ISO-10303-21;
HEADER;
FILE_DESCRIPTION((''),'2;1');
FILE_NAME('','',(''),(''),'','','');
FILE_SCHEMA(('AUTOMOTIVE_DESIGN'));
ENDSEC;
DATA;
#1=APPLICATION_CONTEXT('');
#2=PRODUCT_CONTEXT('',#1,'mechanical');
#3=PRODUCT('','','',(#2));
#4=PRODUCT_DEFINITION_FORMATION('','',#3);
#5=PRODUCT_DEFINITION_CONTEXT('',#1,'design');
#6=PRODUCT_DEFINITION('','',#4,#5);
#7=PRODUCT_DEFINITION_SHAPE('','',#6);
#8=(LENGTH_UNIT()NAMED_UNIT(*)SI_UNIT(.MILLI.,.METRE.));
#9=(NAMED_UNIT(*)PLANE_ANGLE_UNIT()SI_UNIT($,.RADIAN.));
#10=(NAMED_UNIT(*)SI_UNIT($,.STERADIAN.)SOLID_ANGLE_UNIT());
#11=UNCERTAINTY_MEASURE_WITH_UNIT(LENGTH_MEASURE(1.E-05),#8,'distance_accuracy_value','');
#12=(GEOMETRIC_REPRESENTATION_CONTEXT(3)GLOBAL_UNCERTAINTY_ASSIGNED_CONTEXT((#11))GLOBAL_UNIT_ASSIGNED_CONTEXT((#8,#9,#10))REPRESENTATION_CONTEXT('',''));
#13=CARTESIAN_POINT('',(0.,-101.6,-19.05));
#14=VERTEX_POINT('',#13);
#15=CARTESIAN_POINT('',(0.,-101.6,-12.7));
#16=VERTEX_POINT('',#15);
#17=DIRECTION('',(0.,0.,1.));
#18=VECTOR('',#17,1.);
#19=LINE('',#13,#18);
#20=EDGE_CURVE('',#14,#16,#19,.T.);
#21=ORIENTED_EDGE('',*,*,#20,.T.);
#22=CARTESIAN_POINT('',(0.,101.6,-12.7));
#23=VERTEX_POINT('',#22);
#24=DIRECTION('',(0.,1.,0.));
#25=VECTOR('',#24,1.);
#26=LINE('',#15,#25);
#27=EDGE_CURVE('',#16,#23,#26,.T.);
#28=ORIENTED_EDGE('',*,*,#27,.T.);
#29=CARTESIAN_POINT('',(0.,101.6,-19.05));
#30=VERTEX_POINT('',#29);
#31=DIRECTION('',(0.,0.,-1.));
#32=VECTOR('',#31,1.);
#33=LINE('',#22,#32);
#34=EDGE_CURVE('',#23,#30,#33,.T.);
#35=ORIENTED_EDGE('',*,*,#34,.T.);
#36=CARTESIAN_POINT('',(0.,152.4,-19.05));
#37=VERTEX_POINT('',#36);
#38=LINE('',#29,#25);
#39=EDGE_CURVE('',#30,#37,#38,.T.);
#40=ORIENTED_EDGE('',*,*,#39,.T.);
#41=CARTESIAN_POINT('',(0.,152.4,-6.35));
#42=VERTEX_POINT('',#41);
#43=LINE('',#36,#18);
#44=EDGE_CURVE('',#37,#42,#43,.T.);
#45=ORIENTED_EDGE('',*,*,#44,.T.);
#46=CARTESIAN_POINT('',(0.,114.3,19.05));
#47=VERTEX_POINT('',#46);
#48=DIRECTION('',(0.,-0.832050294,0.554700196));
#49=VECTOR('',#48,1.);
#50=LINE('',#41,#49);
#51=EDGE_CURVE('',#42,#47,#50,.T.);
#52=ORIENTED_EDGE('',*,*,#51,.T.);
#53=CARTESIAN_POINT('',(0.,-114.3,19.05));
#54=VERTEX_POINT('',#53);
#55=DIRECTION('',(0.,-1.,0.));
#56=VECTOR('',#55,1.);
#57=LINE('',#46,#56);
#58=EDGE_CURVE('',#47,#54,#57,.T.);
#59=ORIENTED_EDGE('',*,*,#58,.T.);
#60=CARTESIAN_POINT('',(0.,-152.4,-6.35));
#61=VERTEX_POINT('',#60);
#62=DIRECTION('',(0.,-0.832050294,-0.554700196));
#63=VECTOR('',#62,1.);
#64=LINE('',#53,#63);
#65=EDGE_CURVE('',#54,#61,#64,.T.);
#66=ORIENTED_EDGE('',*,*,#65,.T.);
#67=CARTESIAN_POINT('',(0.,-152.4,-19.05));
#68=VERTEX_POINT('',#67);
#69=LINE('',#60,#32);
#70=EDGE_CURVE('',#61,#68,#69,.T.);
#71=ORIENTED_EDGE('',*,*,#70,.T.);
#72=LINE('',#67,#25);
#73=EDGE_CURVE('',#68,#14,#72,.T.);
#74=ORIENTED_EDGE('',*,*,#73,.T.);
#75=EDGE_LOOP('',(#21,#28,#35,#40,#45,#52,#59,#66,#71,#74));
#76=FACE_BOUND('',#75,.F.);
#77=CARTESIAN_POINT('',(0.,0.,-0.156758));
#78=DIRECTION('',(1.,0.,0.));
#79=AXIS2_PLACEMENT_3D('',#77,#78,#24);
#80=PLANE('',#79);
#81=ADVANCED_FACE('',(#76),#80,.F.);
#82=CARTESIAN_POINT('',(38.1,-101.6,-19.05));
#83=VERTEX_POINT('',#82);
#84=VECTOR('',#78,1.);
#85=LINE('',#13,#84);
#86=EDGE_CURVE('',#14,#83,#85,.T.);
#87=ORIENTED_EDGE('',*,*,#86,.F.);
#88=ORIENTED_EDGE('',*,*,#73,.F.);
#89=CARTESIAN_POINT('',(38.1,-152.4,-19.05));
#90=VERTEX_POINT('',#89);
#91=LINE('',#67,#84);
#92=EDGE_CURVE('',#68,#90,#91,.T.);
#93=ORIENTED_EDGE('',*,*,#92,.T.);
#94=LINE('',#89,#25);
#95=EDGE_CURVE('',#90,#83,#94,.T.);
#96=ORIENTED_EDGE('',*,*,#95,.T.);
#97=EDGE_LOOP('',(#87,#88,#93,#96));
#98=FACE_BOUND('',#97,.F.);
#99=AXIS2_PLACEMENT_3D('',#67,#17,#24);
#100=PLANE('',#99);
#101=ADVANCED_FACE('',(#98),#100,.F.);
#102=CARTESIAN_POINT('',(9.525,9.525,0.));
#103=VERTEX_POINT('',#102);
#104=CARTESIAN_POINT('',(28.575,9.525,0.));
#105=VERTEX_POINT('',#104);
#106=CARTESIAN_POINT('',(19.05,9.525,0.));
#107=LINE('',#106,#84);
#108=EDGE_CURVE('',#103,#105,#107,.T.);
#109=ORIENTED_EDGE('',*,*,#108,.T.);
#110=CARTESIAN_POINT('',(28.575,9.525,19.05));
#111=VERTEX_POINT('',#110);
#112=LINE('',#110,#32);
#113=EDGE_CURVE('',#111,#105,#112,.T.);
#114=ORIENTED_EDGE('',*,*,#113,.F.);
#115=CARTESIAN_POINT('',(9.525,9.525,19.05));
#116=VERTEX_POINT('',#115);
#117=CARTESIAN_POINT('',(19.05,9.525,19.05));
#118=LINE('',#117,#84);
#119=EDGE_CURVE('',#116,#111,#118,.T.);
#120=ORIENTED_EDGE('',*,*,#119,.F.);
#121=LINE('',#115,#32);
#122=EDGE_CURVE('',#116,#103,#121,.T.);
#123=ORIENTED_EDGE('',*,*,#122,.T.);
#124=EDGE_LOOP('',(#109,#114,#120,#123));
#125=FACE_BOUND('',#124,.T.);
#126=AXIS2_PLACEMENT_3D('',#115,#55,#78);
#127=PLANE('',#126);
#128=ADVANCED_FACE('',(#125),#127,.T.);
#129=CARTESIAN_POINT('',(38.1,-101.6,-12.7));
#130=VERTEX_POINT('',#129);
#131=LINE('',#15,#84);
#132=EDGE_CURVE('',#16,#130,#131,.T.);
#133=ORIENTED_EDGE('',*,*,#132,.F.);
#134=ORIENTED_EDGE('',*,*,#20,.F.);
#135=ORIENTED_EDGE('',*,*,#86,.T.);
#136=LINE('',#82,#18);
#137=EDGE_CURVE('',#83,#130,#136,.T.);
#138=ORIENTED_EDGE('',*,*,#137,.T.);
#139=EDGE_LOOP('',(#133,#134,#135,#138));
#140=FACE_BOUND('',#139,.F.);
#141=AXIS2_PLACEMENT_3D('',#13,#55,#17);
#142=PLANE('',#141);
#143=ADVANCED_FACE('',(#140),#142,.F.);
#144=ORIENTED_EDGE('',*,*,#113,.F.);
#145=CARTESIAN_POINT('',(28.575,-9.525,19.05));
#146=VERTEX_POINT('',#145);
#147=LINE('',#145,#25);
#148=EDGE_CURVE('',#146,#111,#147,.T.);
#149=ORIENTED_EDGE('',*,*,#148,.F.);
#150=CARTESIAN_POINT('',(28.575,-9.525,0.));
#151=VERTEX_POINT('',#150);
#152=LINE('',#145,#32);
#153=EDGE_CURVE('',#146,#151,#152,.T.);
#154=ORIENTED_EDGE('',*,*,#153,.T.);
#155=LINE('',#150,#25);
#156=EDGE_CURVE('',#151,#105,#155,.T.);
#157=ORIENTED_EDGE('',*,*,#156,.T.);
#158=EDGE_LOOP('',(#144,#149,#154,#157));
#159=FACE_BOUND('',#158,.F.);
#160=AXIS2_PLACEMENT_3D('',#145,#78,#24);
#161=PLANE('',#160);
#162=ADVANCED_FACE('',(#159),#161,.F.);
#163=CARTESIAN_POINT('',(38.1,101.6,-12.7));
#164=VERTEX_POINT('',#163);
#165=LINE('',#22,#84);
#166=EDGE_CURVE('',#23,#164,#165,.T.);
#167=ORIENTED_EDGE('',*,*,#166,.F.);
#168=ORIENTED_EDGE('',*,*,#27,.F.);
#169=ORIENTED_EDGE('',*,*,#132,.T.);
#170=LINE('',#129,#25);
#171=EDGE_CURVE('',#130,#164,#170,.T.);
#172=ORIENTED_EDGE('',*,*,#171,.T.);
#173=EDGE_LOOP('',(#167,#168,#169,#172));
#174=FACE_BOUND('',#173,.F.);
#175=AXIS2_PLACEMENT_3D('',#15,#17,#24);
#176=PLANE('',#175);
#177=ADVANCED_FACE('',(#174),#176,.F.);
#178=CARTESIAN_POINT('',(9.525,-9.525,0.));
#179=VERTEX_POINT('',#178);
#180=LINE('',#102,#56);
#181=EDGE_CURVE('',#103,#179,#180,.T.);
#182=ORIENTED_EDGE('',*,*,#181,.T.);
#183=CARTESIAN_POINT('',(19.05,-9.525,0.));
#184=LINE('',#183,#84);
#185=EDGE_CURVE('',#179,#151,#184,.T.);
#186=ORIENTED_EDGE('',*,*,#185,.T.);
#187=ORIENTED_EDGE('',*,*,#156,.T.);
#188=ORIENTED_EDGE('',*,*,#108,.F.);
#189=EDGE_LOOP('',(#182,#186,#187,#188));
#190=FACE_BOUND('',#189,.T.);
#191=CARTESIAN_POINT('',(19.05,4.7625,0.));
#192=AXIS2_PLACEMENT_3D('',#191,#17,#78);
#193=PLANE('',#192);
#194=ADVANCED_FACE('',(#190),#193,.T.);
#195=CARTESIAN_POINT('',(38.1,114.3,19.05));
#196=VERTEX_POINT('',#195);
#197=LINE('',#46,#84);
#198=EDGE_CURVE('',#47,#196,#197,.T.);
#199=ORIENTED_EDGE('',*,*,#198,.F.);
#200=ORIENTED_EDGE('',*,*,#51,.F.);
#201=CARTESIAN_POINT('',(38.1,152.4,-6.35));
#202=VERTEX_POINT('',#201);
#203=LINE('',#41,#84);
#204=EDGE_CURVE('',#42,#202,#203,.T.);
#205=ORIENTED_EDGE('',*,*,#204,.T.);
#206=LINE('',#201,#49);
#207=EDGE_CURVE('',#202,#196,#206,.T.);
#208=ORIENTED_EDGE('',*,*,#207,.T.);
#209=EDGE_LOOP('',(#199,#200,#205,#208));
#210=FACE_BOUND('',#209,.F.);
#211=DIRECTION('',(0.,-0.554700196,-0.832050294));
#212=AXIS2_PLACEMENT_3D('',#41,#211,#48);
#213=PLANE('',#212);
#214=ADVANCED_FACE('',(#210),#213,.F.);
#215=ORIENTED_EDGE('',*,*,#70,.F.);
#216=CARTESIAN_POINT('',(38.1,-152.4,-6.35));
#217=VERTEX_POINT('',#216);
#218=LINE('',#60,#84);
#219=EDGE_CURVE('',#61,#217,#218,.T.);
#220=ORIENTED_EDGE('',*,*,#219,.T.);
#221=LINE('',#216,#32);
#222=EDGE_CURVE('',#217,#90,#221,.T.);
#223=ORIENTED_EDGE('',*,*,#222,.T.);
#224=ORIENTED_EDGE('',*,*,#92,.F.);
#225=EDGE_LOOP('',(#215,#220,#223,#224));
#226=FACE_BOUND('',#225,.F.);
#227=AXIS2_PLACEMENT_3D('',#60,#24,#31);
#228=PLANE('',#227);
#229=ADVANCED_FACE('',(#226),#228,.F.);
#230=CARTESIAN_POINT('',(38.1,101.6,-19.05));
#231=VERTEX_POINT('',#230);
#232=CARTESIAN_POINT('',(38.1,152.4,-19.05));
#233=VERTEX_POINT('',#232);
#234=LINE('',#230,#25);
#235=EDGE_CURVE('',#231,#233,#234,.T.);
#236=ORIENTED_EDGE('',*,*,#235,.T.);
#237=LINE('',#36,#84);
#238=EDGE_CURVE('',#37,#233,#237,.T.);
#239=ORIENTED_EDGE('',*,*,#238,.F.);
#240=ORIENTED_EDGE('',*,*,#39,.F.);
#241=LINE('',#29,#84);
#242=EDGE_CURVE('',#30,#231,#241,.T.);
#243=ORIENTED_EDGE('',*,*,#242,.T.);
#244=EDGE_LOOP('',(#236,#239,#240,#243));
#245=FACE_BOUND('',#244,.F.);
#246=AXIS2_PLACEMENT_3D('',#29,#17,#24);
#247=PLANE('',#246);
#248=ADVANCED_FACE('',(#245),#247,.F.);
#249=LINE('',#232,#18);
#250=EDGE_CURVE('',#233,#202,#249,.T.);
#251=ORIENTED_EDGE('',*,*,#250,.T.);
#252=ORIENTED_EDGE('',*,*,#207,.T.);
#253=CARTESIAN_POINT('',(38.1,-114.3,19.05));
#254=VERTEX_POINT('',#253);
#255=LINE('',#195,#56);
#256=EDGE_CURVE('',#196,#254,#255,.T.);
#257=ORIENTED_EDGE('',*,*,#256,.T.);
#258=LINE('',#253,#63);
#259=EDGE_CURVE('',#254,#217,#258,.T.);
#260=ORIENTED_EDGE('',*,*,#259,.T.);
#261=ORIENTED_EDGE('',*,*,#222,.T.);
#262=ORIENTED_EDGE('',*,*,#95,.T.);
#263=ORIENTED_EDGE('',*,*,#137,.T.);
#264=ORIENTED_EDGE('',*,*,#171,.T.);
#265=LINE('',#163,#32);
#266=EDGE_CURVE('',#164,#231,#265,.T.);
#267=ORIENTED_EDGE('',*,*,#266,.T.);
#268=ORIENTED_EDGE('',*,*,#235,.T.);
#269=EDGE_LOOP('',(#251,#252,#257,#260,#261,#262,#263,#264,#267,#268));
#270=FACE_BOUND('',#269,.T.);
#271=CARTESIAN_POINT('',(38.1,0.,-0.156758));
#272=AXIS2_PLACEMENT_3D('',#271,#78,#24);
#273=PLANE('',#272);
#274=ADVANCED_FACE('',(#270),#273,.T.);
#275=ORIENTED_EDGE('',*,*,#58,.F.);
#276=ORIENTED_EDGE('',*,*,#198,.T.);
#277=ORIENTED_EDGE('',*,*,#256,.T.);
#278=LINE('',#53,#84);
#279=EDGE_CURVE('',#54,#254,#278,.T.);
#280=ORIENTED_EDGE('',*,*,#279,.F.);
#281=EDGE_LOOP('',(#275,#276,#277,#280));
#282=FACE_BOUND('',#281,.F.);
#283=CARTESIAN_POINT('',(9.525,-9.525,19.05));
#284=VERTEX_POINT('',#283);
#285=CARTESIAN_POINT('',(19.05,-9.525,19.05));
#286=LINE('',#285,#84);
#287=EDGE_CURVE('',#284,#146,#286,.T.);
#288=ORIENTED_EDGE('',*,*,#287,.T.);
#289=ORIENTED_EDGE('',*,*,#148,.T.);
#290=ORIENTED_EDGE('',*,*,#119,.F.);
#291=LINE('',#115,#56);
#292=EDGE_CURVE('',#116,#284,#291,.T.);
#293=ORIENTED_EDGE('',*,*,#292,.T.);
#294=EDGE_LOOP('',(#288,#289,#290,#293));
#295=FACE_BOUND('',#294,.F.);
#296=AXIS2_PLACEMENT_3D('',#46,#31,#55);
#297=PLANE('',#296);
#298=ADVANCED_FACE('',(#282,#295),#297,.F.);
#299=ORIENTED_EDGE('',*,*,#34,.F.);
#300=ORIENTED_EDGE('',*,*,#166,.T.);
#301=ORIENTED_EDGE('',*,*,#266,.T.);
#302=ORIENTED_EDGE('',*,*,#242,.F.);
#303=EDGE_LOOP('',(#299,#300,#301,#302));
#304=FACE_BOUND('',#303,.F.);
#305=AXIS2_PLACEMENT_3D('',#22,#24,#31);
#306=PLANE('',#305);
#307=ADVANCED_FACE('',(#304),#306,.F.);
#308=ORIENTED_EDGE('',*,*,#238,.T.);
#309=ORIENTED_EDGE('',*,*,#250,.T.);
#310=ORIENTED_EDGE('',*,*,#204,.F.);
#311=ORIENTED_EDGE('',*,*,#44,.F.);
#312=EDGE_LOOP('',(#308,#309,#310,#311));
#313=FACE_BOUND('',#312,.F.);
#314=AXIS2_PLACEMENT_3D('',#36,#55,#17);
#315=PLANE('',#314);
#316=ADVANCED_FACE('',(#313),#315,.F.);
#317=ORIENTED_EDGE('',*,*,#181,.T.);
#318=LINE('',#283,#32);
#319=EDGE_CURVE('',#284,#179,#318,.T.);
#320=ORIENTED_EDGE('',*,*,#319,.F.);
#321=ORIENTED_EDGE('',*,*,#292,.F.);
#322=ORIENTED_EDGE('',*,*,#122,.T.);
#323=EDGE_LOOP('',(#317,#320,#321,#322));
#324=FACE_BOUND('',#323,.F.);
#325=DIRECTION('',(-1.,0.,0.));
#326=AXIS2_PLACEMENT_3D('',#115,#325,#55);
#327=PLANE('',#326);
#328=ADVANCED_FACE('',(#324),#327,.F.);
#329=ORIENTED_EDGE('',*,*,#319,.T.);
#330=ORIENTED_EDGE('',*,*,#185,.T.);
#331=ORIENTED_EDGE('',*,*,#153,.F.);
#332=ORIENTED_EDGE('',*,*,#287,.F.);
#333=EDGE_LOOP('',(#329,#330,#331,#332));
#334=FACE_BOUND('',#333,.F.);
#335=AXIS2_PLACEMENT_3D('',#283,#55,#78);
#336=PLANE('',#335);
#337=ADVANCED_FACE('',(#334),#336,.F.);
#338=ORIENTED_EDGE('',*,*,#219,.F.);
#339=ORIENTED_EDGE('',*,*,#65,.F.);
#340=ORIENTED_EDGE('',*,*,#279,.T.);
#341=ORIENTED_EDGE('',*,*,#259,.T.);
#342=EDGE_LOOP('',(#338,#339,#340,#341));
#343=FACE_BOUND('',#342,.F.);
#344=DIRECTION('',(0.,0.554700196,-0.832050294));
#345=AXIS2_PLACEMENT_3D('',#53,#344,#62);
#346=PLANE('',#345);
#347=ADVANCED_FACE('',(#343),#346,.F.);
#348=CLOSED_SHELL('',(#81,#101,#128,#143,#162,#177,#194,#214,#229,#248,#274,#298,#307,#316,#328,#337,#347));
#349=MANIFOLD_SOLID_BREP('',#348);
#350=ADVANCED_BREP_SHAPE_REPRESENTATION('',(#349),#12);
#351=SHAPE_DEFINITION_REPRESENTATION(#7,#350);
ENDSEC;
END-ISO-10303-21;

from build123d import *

# Parameters (mm, degrees)
F1_DEPTH = 38.1
F2_W     = 19.05
F2_H     = 9.525
F3_DEPTH = 19.05


with BuildPart() as f1:
    # F0 (on Right) → F1 (new body)
    with BuildSketch(Plane.YZ):
        Polygon((152.4, -6.35), (114.3, 19.05), (-114.3, 19.05), (-152.4, -6.35), (-152.4, -19.05), (-101.6, -19.05), (-101.6, -12.7), (101.6, -12.7), (101.6, -19.05), (152.4, -19.05), align=None)
    extrude(amount=F1_DEPTH)

    # F2 (on face) → F3 (cut)
    with BuildSketch(Plane.XY.offset(19.05)):
        with Locations((19.05, 4.7625)):
            Rectangle(F2_W, F2_H)
        with Locations((19.05, -4.7625)):
            Rectangle(F2_W, F2_H)
    extrude(amount=-F3_DEPTH, mode=Mode.SUBTRACT)


with BuildPart() as f4_1:
    # F4: copy of F1
    add(f1.part)


solid = f1.part
